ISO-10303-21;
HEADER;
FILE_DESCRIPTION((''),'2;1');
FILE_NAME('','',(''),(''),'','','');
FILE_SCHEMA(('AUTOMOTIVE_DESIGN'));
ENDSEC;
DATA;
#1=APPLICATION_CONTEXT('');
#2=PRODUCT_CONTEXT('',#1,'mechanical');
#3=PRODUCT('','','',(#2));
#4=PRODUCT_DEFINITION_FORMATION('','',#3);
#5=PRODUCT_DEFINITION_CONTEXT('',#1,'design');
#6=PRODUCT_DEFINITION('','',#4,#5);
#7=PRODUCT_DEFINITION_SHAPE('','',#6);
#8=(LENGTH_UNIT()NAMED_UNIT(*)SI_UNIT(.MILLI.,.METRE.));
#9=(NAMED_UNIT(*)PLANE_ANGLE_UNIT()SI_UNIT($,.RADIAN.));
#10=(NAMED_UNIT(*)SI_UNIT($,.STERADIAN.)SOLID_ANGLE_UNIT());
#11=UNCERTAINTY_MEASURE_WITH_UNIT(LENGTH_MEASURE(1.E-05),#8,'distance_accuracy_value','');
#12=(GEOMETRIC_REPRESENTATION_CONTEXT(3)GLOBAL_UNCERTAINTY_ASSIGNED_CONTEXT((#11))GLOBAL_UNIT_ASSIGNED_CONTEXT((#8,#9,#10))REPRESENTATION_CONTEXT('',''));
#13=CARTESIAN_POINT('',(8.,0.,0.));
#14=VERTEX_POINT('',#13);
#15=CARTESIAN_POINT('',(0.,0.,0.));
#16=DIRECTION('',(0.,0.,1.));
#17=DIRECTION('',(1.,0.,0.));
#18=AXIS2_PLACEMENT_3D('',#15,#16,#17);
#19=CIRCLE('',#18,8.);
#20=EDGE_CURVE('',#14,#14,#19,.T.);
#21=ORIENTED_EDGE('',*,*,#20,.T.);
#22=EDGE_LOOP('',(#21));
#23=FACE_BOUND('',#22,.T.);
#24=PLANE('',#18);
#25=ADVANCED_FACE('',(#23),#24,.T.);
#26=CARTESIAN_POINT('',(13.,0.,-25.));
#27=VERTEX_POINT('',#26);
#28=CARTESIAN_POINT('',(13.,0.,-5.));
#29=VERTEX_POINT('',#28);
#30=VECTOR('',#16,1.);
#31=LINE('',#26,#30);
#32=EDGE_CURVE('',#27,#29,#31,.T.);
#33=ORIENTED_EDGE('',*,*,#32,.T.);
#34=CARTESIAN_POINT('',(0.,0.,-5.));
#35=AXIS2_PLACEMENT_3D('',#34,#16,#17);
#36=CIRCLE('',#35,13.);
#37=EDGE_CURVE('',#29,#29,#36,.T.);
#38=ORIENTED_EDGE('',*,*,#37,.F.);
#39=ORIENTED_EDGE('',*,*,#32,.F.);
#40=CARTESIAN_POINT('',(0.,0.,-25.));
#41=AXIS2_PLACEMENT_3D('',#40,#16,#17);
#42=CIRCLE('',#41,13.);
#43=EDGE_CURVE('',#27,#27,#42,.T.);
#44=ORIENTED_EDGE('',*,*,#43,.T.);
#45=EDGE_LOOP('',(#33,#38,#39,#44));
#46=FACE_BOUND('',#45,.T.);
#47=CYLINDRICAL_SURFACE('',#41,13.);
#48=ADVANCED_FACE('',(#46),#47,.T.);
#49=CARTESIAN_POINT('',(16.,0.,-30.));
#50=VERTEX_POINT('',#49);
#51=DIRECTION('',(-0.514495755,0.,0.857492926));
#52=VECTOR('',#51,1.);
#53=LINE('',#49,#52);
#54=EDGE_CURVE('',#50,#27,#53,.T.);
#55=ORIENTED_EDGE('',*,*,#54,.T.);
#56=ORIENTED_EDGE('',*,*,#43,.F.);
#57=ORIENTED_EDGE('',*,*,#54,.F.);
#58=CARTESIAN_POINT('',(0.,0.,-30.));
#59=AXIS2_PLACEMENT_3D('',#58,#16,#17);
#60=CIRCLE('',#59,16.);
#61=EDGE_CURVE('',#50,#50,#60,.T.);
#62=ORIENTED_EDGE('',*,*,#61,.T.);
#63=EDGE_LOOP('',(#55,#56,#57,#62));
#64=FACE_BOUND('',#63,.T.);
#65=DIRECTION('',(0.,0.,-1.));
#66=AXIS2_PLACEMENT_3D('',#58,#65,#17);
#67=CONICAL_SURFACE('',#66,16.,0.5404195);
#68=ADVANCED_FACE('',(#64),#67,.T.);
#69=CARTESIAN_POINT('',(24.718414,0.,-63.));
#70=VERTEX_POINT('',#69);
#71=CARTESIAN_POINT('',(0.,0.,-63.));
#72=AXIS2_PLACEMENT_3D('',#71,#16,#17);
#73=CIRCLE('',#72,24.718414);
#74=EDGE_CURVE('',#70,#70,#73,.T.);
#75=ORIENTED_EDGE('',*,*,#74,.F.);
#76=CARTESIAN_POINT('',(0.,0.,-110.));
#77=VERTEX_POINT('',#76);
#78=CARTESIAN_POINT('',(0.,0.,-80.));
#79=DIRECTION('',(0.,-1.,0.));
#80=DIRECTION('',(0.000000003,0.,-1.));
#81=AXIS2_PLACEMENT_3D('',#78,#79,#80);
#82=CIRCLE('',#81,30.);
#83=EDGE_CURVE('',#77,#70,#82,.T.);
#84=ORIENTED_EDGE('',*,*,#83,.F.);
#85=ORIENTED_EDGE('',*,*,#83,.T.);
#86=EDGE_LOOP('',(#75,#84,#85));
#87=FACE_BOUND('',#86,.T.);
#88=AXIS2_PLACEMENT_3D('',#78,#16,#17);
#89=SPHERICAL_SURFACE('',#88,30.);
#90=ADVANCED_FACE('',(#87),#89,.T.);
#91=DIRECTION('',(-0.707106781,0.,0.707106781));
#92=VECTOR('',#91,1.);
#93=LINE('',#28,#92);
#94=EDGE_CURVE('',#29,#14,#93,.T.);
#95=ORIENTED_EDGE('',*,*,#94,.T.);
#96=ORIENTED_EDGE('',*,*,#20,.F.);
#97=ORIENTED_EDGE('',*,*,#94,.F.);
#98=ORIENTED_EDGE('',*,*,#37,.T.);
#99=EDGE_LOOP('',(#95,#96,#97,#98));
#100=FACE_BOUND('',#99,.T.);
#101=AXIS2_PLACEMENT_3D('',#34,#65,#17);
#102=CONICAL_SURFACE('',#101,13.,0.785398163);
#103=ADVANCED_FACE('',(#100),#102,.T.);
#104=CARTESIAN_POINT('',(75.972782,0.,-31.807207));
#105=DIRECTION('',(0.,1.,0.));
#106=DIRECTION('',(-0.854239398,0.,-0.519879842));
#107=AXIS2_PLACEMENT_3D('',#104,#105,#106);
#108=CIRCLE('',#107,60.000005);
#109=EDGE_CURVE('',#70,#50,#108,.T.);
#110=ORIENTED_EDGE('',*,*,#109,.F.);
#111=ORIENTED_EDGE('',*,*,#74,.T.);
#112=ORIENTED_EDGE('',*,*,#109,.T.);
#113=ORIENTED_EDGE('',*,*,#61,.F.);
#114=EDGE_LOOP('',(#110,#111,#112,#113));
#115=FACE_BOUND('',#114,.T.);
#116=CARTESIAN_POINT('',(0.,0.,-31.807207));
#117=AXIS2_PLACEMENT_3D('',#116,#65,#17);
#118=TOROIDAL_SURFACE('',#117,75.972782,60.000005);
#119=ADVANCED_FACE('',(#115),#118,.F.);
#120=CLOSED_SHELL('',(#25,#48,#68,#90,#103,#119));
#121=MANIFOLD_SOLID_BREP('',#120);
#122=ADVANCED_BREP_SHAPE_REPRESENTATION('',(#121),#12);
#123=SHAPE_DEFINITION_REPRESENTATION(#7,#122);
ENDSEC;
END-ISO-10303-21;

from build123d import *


with BuildPart() as f1:
    # F0 (on Front) → F1 (revolve)
    with BuildSketch(Plane.XZ):
        with BuildLine():
            Line((8, 0), (0, 0))
            Line((0, 0), (0, -110))
            ThreePointArc((0, -110), (26.551836, -93.96424), (24.718414, -63))
            ThreePointArc((24.718414, -63), (17.96313, -47.13303), (16, -30))
            Line((16, -30), (13, -25))
            Line((13, -25), (13, -5))
            Line((13, -5), (8, 0))
        make_face()
    revolve(axis=Axis((0, 0, -55), (0, 0, 1)))


solid = f1.part
